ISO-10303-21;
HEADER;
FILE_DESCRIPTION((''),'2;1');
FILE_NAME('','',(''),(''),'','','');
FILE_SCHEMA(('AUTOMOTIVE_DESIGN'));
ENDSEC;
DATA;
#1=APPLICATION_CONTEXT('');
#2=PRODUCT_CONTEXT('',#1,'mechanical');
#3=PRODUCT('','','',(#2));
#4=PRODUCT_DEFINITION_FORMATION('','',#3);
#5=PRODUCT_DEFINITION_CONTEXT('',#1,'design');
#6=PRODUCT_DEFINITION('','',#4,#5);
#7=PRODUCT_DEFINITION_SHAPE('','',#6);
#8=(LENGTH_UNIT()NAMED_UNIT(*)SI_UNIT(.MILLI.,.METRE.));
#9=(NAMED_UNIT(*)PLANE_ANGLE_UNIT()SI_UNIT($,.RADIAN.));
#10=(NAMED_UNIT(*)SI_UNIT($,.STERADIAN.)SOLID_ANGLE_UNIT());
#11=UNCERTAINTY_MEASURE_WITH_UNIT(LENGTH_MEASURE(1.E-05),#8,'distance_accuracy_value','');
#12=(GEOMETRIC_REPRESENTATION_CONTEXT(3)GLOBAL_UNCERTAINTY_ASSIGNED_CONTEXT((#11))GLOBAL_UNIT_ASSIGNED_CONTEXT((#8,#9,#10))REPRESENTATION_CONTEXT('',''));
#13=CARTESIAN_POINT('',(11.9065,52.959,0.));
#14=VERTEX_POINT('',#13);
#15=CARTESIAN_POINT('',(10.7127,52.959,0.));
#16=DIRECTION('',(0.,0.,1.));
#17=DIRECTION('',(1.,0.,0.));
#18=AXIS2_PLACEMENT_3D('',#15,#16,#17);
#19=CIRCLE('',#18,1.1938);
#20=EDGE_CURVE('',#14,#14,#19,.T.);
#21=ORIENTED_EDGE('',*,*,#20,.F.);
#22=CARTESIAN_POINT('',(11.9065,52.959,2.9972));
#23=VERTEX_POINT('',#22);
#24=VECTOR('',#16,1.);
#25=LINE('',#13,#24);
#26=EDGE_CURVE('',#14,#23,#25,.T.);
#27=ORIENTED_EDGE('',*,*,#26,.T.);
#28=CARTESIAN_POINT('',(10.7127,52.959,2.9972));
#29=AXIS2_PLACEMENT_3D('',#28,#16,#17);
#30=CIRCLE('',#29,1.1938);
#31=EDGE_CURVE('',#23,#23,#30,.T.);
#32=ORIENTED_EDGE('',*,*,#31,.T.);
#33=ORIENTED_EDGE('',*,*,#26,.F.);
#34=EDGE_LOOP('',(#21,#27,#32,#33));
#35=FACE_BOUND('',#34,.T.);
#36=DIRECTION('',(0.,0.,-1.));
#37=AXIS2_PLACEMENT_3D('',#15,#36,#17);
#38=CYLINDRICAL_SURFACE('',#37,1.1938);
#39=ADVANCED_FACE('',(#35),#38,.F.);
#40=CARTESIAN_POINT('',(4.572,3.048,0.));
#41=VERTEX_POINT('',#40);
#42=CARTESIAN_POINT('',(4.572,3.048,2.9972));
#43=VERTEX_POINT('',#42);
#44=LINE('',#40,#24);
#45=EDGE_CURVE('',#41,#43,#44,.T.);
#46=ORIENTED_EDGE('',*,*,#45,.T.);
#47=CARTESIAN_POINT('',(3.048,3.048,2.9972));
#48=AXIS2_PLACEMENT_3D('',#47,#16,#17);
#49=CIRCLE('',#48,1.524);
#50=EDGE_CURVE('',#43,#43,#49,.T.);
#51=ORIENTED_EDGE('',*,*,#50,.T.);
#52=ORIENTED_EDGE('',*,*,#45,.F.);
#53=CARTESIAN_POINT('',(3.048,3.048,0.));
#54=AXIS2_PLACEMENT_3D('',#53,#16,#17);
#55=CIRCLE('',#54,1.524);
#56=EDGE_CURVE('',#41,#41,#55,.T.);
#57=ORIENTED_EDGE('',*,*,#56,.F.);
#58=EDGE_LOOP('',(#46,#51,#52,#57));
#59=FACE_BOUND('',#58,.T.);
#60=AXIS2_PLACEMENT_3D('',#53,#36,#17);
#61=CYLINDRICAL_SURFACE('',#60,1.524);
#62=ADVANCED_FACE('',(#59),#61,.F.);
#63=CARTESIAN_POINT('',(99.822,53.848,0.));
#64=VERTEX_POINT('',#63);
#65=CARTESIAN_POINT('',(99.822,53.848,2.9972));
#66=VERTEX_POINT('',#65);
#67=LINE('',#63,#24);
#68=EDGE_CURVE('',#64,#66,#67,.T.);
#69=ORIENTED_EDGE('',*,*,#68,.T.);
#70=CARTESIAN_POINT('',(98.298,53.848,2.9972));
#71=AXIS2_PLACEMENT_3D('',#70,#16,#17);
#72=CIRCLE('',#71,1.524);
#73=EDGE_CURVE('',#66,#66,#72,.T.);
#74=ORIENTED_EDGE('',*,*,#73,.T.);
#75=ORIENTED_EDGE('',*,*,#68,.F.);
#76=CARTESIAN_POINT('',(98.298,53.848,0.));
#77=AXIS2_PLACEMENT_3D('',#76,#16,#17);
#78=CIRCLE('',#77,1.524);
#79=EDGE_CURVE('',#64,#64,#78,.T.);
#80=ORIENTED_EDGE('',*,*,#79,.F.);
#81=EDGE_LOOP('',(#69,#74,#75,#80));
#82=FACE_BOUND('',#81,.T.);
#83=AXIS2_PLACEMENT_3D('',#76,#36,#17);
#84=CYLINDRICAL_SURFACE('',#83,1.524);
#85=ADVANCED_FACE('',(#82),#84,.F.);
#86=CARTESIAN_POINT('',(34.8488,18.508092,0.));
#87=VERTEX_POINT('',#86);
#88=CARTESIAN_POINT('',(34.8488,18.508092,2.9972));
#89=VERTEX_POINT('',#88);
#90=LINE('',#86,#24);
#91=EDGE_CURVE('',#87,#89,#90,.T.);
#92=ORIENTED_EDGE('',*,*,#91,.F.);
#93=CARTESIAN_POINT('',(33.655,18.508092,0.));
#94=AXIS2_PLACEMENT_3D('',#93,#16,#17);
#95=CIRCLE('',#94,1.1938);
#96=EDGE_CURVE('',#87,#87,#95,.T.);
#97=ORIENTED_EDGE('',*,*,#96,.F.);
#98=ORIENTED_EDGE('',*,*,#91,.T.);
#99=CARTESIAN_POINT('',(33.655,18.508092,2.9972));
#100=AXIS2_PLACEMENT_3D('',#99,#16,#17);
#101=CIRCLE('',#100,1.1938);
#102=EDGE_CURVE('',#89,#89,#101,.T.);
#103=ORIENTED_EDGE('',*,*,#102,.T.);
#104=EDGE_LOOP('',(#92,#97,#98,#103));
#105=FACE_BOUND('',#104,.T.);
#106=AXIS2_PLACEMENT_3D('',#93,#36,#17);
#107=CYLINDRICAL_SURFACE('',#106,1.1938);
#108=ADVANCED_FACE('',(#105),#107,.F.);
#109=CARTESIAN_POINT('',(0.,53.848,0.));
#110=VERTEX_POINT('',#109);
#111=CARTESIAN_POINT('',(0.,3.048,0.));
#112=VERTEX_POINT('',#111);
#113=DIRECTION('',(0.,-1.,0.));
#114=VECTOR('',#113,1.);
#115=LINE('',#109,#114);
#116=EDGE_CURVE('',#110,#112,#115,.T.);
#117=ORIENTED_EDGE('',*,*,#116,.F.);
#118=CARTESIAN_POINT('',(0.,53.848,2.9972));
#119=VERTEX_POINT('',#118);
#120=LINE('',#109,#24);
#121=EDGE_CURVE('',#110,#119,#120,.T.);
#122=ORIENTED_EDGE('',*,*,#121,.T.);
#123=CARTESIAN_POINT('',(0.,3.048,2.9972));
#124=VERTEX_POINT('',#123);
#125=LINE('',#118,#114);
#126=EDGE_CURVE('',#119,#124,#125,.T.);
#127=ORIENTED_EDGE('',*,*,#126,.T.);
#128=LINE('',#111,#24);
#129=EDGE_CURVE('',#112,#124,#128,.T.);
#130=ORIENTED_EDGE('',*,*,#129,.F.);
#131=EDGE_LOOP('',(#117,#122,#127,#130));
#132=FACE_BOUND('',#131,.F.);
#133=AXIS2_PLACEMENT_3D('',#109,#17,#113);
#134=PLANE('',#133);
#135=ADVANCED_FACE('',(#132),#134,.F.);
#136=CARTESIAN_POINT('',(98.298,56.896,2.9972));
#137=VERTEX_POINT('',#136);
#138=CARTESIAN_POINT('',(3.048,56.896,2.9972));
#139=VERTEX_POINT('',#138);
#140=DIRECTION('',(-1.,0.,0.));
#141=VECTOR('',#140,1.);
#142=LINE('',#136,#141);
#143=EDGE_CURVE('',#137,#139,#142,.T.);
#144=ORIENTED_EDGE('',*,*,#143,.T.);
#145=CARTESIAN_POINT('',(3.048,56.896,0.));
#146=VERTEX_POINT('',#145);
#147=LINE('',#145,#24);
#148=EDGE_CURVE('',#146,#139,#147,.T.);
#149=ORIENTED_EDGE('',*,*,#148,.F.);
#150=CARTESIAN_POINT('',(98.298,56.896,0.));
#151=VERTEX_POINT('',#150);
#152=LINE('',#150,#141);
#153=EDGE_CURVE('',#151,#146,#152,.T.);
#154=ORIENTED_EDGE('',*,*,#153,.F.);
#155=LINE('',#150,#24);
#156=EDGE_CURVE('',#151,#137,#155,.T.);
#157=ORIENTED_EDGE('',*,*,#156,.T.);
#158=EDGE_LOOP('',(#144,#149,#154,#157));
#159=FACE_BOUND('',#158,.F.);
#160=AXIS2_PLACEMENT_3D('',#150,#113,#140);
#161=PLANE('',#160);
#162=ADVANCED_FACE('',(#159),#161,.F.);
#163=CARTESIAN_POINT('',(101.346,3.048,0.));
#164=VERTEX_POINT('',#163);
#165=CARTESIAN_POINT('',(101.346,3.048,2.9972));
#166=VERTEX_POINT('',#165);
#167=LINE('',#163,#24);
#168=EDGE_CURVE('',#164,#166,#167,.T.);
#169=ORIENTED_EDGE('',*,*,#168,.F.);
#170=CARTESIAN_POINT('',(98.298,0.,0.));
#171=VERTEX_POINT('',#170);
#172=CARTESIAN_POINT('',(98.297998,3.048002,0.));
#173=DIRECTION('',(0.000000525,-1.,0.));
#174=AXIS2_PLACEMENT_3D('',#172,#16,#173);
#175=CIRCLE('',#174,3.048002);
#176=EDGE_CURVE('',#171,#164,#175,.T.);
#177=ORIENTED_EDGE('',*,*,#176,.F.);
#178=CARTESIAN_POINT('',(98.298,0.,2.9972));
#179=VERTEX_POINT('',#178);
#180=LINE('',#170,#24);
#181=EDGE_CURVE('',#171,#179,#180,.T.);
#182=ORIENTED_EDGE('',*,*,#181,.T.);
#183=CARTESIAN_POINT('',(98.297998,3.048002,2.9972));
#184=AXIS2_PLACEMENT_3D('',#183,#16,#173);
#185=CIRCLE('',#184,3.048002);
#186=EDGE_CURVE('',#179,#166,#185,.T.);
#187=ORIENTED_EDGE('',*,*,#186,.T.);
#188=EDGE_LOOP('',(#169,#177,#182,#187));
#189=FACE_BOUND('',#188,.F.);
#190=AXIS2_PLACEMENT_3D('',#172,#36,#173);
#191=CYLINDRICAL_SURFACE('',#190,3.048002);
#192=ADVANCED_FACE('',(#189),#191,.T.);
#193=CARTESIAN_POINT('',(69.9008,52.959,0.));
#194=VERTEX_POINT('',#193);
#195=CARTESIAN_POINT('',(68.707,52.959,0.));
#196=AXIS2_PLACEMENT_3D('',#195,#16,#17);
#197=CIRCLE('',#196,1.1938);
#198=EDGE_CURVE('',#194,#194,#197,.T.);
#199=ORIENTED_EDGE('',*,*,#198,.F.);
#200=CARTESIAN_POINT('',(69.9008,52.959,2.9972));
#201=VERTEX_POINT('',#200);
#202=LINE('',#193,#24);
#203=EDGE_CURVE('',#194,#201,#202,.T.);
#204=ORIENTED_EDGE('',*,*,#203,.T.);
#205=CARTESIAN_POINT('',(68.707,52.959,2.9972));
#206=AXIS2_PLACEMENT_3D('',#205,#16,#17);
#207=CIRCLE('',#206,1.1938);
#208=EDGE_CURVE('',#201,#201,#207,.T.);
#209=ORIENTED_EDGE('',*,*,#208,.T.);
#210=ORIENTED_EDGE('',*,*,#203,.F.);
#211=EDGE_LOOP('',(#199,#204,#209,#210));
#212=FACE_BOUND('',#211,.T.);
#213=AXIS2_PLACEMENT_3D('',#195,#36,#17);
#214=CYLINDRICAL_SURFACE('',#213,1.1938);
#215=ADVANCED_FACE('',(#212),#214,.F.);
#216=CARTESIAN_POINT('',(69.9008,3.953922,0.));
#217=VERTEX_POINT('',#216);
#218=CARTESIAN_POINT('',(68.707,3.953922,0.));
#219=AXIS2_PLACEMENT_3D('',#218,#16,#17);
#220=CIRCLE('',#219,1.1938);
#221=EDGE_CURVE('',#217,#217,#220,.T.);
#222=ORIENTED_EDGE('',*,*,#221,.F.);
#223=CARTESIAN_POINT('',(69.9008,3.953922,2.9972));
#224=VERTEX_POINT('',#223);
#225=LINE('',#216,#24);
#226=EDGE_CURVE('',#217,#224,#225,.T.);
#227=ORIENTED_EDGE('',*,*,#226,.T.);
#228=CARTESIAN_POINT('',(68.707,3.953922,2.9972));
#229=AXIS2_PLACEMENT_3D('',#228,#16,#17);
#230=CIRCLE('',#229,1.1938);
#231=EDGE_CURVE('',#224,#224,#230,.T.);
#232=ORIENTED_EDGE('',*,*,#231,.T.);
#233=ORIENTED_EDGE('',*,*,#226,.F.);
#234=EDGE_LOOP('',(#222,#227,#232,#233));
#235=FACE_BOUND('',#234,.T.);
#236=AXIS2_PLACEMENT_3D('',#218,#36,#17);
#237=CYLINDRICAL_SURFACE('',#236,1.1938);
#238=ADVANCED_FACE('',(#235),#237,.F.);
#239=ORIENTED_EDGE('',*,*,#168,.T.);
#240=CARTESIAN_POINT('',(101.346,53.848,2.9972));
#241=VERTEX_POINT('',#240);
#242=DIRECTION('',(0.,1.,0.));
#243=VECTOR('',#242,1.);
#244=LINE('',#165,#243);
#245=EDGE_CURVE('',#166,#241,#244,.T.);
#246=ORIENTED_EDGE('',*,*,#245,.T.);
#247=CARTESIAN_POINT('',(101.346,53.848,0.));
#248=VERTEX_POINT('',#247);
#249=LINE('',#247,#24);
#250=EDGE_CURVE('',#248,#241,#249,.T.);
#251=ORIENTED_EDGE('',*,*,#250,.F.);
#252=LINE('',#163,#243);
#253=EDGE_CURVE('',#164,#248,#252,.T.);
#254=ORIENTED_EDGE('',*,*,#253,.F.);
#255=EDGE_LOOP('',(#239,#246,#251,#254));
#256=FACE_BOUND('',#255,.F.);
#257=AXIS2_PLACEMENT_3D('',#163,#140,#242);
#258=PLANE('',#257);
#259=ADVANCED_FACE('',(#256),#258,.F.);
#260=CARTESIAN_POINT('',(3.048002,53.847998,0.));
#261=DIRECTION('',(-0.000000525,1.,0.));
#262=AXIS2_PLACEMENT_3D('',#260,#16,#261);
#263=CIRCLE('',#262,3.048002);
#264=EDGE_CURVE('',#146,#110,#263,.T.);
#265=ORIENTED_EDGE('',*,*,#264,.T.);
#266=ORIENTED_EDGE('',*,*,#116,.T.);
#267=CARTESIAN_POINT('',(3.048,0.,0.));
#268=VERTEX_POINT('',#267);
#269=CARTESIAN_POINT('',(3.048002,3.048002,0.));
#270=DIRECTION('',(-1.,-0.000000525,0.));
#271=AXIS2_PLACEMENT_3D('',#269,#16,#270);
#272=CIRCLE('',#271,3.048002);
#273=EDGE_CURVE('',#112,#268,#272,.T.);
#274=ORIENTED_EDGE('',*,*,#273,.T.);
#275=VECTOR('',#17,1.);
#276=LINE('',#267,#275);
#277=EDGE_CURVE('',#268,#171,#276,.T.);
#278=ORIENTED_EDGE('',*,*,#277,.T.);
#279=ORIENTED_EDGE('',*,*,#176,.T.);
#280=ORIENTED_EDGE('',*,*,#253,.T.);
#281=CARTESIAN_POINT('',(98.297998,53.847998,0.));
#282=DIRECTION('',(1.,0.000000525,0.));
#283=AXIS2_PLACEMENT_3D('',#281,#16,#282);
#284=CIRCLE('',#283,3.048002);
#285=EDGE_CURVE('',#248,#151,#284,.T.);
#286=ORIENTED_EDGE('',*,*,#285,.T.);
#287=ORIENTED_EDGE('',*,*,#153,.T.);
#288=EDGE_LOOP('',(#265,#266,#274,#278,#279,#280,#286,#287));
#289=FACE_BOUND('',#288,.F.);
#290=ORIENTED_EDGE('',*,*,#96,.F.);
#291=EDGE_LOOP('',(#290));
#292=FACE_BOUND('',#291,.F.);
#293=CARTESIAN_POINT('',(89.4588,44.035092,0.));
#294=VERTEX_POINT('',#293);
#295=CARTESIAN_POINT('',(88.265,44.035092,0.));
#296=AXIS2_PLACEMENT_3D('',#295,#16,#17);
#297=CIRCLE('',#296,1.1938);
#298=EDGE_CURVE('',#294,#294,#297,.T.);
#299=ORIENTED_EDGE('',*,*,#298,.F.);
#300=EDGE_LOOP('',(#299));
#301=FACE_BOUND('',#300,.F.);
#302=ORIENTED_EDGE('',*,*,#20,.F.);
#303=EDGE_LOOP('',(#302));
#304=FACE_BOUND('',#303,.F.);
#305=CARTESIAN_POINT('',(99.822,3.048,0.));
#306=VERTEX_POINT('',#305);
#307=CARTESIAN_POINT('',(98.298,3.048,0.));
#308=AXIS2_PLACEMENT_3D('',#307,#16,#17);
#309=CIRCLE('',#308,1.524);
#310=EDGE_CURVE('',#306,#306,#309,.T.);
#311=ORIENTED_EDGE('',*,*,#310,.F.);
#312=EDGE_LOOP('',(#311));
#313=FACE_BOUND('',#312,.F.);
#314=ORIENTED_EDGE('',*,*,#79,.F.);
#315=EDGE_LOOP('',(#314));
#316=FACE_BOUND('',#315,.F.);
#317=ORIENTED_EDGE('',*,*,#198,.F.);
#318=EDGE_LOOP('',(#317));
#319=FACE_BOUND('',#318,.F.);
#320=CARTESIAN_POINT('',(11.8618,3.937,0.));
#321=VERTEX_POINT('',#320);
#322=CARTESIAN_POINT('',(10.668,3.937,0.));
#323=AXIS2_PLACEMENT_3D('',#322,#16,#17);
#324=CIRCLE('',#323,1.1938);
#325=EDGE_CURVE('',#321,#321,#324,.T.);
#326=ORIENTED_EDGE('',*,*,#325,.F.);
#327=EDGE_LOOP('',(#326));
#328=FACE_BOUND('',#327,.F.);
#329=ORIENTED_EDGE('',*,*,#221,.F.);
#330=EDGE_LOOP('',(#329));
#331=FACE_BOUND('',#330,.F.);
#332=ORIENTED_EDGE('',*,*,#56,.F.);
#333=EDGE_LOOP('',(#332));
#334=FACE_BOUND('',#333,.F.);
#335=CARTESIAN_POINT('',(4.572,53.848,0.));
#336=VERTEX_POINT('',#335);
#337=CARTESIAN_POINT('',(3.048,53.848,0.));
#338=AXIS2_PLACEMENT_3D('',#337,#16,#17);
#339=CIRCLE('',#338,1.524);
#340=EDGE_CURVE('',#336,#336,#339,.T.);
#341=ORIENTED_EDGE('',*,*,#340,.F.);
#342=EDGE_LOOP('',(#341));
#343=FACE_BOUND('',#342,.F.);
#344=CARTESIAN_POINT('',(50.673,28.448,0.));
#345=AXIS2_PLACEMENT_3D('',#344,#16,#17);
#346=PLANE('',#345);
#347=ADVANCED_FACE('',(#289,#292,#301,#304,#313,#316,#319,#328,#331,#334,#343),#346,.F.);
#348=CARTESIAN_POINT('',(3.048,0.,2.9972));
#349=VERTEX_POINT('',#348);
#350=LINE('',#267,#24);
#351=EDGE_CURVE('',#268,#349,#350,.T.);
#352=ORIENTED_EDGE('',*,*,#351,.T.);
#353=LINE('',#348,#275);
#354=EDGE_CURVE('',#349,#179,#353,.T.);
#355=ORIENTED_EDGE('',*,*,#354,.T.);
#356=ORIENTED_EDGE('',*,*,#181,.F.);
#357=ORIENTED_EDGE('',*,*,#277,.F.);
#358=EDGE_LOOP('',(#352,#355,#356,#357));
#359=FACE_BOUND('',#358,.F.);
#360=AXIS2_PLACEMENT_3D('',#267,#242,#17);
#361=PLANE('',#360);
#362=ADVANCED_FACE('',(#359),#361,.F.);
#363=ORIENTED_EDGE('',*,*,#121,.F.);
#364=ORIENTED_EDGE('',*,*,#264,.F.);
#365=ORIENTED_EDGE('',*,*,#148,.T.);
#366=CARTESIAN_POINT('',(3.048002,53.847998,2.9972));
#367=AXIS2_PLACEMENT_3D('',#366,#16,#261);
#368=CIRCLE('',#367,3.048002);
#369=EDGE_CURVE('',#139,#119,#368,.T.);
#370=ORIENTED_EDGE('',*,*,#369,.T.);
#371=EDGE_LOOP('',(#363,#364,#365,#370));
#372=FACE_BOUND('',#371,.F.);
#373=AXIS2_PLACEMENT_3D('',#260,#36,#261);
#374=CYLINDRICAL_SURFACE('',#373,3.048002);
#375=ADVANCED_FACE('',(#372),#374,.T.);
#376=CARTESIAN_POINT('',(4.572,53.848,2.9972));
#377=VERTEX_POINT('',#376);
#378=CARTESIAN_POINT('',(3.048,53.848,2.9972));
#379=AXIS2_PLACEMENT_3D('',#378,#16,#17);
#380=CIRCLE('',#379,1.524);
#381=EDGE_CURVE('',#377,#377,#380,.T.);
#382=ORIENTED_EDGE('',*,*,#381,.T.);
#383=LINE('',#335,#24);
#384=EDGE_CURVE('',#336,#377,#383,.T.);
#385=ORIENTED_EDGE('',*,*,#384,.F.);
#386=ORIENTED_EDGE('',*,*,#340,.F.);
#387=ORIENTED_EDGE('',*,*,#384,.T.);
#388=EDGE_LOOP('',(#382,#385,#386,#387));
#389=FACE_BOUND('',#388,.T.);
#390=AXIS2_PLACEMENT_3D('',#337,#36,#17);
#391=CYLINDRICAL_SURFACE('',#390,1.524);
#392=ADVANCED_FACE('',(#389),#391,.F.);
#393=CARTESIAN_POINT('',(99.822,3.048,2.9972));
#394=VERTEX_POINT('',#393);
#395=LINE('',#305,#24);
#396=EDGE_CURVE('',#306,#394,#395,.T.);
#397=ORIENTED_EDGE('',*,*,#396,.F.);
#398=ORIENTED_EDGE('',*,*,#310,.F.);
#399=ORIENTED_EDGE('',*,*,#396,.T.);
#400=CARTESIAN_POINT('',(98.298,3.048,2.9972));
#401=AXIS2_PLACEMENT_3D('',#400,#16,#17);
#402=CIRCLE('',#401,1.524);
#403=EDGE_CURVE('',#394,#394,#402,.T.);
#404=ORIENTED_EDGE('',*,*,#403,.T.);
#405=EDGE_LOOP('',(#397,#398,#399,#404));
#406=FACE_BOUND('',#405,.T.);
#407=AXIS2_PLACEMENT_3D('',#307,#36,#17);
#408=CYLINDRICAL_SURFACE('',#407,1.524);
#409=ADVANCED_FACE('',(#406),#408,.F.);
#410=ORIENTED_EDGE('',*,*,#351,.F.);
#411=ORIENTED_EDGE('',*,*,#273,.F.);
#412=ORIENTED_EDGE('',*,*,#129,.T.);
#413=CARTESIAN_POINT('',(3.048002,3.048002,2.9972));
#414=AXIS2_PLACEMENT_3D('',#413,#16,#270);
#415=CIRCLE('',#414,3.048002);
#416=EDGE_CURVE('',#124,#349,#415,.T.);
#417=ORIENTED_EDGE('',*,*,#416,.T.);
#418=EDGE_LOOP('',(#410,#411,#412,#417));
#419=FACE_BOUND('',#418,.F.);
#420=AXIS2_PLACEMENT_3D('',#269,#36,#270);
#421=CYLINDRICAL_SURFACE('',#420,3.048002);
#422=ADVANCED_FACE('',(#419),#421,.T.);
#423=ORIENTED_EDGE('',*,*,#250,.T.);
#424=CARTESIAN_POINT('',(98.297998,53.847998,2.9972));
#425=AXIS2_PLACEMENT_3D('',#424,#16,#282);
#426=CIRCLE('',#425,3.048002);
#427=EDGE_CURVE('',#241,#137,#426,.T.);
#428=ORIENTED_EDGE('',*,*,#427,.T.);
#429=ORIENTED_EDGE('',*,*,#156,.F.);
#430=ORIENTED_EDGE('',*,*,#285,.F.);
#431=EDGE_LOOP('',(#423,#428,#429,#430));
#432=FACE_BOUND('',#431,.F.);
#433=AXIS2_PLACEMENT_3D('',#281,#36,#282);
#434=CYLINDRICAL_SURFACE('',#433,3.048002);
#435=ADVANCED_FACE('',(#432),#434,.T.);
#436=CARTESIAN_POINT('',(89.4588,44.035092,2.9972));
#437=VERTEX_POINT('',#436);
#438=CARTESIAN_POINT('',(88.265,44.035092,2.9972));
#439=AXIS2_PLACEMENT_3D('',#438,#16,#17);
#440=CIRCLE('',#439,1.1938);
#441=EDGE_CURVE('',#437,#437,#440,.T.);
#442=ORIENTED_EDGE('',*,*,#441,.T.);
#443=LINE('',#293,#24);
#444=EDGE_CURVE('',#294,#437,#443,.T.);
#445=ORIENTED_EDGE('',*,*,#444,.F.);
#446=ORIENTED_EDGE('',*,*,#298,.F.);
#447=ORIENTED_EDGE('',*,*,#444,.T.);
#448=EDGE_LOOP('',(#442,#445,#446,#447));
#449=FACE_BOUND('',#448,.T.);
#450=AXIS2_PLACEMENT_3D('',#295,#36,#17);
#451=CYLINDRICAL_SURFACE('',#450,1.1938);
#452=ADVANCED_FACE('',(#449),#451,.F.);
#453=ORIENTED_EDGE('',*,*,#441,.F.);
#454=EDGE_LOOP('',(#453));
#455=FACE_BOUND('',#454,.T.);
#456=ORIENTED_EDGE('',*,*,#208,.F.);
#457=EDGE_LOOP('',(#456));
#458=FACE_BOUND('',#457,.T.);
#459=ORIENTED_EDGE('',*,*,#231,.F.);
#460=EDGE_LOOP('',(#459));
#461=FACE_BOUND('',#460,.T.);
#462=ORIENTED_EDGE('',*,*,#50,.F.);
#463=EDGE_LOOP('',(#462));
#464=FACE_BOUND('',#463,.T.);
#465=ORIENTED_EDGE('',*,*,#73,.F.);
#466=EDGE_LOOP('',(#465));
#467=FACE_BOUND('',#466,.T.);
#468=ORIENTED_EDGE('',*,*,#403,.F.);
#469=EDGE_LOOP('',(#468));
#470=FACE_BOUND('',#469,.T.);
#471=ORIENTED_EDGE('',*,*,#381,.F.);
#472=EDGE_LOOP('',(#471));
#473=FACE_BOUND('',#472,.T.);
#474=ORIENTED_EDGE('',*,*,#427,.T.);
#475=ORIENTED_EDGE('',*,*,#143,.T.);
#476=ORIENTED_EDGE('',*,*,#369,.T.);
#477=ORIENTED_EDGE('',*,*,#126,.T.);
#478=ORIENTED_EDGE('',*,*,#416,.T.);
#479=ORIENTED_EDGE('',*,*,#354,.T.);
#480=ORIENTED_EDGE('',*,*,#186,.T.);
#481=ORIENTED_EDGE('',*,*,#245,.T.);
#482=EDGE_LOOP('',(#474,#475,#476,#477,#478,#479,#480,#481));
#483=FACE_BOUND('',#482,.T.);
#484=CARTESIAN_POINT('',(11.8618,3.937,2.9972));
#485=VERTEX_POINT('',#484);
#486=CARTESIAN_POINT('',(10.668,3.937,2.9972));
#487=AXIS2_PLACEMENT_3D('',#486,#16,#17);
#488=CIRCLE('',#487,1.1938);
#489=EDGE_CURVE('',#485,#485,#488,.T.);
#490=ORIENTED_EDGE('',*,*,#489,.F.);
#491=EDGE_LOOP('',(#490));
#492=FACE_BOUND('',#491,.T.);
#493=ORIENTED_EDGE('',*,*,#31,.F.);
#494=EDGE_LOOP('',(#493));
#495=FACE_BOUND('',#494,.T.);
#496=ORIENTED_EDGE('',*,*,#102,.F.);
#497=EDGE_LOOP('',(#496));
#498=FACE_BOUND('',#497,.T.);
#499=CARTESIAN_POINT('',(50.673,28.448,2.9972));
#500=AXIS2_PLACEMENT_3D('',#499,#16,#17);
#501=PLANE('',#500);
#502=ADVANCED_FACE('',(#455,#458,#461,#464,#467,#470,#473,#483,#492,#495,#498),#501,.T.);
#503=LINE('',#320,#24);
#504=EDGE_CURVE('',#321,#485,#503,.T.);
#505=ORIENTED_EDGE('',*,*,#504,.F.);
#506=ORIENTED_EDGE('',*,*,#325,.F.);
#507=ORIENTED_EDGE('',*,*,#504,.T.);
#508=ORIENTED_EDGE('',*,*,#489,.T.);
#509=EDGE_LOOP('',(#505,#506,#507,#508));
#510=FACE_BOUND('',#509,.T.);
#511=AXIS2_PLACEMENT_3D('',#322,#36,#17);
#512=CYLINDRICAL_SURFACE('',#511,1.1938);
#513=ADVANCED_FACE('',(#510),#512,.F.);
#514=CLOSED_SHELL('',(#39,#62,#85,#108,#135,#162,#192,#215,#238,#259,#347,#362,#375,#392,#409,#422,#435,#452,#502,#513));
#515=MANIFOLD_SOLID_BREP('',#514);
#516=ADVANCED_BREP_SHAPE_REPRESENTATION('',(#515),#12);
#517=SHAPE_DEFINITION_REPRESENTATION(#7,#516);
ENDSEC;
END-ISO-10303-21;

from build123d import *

# Parameters (mm, degrees)
F0_R     = 1.524
F0_R_2   = 1.1938
F1_DEPTH = 2.9972


with BuildPart() as f1:
    # F0 (on Top) → F1 (new body)
    with BuildSketch(Plane.XY):
        with BuildLine():
            ThreePointArc((0, 3.048), (0.892739, 0.892739), (3.048, 0))
            Line((3.048, 0), (98.298, 0))
            ThreePointArc((98.298, 0), (100.453261, 0.892739), (101.346, 3.048))
            Line((101.346, 3.048), (101.346, 53.848))
            ThreePointArc((101.346, 53.848), (100.453261, 56.003261), (98.298, 56.896))
            Line((98.298, 56.896), (3.048, 56.896))
            ThreePointArc((3.048, 56.896), (0.892739, 56.003261), (0, 53.848))
            Line((0, 53.848), (0, 3.048))
        make_face()
        with Locations((3.048, 3.048)):
            Circle(F0_R, mode=Mode.SUBTRACT)
        with Locations((10.668, 3.937)):
            Circle(F0_R_2, mode=Mode.SUBTRACT)
        with Locations((33.655, 18.508092)):
            Circle(F0_R_2, mode=Mode.SUBTRACT)
        with Locations((68.707, 3.953922)):
            Circle(F0_R_2, mode=Mode.SUBTRACT)
        with Locations((98.298, 3.048)):
            Circle(F0_R, mode=Mode.SUBTRACT)
        with Locations((10.7127, 52.959)):
            Circle(F0_R_2, mode=Mode.SUBTRACT)
        with Locations((3.048, 53.848)):
            Circle(F0_R, mode=Mode.SUBTRACT)
        with Locations((68.707, 52.959)):
            Circle(F0_R_2, mode=Mode.SUBTRACT)
        with Locations((88.265, 44.035092)):
            Circle(F0_R_2, mode=Mode.SUBTRACT)
        with Locations((98.298, 53.848)):
            Circle(F0_R, mode=Mode.SUBTRACT)
    extrude(amount=F1_DEPTH)


solid = f1.part
